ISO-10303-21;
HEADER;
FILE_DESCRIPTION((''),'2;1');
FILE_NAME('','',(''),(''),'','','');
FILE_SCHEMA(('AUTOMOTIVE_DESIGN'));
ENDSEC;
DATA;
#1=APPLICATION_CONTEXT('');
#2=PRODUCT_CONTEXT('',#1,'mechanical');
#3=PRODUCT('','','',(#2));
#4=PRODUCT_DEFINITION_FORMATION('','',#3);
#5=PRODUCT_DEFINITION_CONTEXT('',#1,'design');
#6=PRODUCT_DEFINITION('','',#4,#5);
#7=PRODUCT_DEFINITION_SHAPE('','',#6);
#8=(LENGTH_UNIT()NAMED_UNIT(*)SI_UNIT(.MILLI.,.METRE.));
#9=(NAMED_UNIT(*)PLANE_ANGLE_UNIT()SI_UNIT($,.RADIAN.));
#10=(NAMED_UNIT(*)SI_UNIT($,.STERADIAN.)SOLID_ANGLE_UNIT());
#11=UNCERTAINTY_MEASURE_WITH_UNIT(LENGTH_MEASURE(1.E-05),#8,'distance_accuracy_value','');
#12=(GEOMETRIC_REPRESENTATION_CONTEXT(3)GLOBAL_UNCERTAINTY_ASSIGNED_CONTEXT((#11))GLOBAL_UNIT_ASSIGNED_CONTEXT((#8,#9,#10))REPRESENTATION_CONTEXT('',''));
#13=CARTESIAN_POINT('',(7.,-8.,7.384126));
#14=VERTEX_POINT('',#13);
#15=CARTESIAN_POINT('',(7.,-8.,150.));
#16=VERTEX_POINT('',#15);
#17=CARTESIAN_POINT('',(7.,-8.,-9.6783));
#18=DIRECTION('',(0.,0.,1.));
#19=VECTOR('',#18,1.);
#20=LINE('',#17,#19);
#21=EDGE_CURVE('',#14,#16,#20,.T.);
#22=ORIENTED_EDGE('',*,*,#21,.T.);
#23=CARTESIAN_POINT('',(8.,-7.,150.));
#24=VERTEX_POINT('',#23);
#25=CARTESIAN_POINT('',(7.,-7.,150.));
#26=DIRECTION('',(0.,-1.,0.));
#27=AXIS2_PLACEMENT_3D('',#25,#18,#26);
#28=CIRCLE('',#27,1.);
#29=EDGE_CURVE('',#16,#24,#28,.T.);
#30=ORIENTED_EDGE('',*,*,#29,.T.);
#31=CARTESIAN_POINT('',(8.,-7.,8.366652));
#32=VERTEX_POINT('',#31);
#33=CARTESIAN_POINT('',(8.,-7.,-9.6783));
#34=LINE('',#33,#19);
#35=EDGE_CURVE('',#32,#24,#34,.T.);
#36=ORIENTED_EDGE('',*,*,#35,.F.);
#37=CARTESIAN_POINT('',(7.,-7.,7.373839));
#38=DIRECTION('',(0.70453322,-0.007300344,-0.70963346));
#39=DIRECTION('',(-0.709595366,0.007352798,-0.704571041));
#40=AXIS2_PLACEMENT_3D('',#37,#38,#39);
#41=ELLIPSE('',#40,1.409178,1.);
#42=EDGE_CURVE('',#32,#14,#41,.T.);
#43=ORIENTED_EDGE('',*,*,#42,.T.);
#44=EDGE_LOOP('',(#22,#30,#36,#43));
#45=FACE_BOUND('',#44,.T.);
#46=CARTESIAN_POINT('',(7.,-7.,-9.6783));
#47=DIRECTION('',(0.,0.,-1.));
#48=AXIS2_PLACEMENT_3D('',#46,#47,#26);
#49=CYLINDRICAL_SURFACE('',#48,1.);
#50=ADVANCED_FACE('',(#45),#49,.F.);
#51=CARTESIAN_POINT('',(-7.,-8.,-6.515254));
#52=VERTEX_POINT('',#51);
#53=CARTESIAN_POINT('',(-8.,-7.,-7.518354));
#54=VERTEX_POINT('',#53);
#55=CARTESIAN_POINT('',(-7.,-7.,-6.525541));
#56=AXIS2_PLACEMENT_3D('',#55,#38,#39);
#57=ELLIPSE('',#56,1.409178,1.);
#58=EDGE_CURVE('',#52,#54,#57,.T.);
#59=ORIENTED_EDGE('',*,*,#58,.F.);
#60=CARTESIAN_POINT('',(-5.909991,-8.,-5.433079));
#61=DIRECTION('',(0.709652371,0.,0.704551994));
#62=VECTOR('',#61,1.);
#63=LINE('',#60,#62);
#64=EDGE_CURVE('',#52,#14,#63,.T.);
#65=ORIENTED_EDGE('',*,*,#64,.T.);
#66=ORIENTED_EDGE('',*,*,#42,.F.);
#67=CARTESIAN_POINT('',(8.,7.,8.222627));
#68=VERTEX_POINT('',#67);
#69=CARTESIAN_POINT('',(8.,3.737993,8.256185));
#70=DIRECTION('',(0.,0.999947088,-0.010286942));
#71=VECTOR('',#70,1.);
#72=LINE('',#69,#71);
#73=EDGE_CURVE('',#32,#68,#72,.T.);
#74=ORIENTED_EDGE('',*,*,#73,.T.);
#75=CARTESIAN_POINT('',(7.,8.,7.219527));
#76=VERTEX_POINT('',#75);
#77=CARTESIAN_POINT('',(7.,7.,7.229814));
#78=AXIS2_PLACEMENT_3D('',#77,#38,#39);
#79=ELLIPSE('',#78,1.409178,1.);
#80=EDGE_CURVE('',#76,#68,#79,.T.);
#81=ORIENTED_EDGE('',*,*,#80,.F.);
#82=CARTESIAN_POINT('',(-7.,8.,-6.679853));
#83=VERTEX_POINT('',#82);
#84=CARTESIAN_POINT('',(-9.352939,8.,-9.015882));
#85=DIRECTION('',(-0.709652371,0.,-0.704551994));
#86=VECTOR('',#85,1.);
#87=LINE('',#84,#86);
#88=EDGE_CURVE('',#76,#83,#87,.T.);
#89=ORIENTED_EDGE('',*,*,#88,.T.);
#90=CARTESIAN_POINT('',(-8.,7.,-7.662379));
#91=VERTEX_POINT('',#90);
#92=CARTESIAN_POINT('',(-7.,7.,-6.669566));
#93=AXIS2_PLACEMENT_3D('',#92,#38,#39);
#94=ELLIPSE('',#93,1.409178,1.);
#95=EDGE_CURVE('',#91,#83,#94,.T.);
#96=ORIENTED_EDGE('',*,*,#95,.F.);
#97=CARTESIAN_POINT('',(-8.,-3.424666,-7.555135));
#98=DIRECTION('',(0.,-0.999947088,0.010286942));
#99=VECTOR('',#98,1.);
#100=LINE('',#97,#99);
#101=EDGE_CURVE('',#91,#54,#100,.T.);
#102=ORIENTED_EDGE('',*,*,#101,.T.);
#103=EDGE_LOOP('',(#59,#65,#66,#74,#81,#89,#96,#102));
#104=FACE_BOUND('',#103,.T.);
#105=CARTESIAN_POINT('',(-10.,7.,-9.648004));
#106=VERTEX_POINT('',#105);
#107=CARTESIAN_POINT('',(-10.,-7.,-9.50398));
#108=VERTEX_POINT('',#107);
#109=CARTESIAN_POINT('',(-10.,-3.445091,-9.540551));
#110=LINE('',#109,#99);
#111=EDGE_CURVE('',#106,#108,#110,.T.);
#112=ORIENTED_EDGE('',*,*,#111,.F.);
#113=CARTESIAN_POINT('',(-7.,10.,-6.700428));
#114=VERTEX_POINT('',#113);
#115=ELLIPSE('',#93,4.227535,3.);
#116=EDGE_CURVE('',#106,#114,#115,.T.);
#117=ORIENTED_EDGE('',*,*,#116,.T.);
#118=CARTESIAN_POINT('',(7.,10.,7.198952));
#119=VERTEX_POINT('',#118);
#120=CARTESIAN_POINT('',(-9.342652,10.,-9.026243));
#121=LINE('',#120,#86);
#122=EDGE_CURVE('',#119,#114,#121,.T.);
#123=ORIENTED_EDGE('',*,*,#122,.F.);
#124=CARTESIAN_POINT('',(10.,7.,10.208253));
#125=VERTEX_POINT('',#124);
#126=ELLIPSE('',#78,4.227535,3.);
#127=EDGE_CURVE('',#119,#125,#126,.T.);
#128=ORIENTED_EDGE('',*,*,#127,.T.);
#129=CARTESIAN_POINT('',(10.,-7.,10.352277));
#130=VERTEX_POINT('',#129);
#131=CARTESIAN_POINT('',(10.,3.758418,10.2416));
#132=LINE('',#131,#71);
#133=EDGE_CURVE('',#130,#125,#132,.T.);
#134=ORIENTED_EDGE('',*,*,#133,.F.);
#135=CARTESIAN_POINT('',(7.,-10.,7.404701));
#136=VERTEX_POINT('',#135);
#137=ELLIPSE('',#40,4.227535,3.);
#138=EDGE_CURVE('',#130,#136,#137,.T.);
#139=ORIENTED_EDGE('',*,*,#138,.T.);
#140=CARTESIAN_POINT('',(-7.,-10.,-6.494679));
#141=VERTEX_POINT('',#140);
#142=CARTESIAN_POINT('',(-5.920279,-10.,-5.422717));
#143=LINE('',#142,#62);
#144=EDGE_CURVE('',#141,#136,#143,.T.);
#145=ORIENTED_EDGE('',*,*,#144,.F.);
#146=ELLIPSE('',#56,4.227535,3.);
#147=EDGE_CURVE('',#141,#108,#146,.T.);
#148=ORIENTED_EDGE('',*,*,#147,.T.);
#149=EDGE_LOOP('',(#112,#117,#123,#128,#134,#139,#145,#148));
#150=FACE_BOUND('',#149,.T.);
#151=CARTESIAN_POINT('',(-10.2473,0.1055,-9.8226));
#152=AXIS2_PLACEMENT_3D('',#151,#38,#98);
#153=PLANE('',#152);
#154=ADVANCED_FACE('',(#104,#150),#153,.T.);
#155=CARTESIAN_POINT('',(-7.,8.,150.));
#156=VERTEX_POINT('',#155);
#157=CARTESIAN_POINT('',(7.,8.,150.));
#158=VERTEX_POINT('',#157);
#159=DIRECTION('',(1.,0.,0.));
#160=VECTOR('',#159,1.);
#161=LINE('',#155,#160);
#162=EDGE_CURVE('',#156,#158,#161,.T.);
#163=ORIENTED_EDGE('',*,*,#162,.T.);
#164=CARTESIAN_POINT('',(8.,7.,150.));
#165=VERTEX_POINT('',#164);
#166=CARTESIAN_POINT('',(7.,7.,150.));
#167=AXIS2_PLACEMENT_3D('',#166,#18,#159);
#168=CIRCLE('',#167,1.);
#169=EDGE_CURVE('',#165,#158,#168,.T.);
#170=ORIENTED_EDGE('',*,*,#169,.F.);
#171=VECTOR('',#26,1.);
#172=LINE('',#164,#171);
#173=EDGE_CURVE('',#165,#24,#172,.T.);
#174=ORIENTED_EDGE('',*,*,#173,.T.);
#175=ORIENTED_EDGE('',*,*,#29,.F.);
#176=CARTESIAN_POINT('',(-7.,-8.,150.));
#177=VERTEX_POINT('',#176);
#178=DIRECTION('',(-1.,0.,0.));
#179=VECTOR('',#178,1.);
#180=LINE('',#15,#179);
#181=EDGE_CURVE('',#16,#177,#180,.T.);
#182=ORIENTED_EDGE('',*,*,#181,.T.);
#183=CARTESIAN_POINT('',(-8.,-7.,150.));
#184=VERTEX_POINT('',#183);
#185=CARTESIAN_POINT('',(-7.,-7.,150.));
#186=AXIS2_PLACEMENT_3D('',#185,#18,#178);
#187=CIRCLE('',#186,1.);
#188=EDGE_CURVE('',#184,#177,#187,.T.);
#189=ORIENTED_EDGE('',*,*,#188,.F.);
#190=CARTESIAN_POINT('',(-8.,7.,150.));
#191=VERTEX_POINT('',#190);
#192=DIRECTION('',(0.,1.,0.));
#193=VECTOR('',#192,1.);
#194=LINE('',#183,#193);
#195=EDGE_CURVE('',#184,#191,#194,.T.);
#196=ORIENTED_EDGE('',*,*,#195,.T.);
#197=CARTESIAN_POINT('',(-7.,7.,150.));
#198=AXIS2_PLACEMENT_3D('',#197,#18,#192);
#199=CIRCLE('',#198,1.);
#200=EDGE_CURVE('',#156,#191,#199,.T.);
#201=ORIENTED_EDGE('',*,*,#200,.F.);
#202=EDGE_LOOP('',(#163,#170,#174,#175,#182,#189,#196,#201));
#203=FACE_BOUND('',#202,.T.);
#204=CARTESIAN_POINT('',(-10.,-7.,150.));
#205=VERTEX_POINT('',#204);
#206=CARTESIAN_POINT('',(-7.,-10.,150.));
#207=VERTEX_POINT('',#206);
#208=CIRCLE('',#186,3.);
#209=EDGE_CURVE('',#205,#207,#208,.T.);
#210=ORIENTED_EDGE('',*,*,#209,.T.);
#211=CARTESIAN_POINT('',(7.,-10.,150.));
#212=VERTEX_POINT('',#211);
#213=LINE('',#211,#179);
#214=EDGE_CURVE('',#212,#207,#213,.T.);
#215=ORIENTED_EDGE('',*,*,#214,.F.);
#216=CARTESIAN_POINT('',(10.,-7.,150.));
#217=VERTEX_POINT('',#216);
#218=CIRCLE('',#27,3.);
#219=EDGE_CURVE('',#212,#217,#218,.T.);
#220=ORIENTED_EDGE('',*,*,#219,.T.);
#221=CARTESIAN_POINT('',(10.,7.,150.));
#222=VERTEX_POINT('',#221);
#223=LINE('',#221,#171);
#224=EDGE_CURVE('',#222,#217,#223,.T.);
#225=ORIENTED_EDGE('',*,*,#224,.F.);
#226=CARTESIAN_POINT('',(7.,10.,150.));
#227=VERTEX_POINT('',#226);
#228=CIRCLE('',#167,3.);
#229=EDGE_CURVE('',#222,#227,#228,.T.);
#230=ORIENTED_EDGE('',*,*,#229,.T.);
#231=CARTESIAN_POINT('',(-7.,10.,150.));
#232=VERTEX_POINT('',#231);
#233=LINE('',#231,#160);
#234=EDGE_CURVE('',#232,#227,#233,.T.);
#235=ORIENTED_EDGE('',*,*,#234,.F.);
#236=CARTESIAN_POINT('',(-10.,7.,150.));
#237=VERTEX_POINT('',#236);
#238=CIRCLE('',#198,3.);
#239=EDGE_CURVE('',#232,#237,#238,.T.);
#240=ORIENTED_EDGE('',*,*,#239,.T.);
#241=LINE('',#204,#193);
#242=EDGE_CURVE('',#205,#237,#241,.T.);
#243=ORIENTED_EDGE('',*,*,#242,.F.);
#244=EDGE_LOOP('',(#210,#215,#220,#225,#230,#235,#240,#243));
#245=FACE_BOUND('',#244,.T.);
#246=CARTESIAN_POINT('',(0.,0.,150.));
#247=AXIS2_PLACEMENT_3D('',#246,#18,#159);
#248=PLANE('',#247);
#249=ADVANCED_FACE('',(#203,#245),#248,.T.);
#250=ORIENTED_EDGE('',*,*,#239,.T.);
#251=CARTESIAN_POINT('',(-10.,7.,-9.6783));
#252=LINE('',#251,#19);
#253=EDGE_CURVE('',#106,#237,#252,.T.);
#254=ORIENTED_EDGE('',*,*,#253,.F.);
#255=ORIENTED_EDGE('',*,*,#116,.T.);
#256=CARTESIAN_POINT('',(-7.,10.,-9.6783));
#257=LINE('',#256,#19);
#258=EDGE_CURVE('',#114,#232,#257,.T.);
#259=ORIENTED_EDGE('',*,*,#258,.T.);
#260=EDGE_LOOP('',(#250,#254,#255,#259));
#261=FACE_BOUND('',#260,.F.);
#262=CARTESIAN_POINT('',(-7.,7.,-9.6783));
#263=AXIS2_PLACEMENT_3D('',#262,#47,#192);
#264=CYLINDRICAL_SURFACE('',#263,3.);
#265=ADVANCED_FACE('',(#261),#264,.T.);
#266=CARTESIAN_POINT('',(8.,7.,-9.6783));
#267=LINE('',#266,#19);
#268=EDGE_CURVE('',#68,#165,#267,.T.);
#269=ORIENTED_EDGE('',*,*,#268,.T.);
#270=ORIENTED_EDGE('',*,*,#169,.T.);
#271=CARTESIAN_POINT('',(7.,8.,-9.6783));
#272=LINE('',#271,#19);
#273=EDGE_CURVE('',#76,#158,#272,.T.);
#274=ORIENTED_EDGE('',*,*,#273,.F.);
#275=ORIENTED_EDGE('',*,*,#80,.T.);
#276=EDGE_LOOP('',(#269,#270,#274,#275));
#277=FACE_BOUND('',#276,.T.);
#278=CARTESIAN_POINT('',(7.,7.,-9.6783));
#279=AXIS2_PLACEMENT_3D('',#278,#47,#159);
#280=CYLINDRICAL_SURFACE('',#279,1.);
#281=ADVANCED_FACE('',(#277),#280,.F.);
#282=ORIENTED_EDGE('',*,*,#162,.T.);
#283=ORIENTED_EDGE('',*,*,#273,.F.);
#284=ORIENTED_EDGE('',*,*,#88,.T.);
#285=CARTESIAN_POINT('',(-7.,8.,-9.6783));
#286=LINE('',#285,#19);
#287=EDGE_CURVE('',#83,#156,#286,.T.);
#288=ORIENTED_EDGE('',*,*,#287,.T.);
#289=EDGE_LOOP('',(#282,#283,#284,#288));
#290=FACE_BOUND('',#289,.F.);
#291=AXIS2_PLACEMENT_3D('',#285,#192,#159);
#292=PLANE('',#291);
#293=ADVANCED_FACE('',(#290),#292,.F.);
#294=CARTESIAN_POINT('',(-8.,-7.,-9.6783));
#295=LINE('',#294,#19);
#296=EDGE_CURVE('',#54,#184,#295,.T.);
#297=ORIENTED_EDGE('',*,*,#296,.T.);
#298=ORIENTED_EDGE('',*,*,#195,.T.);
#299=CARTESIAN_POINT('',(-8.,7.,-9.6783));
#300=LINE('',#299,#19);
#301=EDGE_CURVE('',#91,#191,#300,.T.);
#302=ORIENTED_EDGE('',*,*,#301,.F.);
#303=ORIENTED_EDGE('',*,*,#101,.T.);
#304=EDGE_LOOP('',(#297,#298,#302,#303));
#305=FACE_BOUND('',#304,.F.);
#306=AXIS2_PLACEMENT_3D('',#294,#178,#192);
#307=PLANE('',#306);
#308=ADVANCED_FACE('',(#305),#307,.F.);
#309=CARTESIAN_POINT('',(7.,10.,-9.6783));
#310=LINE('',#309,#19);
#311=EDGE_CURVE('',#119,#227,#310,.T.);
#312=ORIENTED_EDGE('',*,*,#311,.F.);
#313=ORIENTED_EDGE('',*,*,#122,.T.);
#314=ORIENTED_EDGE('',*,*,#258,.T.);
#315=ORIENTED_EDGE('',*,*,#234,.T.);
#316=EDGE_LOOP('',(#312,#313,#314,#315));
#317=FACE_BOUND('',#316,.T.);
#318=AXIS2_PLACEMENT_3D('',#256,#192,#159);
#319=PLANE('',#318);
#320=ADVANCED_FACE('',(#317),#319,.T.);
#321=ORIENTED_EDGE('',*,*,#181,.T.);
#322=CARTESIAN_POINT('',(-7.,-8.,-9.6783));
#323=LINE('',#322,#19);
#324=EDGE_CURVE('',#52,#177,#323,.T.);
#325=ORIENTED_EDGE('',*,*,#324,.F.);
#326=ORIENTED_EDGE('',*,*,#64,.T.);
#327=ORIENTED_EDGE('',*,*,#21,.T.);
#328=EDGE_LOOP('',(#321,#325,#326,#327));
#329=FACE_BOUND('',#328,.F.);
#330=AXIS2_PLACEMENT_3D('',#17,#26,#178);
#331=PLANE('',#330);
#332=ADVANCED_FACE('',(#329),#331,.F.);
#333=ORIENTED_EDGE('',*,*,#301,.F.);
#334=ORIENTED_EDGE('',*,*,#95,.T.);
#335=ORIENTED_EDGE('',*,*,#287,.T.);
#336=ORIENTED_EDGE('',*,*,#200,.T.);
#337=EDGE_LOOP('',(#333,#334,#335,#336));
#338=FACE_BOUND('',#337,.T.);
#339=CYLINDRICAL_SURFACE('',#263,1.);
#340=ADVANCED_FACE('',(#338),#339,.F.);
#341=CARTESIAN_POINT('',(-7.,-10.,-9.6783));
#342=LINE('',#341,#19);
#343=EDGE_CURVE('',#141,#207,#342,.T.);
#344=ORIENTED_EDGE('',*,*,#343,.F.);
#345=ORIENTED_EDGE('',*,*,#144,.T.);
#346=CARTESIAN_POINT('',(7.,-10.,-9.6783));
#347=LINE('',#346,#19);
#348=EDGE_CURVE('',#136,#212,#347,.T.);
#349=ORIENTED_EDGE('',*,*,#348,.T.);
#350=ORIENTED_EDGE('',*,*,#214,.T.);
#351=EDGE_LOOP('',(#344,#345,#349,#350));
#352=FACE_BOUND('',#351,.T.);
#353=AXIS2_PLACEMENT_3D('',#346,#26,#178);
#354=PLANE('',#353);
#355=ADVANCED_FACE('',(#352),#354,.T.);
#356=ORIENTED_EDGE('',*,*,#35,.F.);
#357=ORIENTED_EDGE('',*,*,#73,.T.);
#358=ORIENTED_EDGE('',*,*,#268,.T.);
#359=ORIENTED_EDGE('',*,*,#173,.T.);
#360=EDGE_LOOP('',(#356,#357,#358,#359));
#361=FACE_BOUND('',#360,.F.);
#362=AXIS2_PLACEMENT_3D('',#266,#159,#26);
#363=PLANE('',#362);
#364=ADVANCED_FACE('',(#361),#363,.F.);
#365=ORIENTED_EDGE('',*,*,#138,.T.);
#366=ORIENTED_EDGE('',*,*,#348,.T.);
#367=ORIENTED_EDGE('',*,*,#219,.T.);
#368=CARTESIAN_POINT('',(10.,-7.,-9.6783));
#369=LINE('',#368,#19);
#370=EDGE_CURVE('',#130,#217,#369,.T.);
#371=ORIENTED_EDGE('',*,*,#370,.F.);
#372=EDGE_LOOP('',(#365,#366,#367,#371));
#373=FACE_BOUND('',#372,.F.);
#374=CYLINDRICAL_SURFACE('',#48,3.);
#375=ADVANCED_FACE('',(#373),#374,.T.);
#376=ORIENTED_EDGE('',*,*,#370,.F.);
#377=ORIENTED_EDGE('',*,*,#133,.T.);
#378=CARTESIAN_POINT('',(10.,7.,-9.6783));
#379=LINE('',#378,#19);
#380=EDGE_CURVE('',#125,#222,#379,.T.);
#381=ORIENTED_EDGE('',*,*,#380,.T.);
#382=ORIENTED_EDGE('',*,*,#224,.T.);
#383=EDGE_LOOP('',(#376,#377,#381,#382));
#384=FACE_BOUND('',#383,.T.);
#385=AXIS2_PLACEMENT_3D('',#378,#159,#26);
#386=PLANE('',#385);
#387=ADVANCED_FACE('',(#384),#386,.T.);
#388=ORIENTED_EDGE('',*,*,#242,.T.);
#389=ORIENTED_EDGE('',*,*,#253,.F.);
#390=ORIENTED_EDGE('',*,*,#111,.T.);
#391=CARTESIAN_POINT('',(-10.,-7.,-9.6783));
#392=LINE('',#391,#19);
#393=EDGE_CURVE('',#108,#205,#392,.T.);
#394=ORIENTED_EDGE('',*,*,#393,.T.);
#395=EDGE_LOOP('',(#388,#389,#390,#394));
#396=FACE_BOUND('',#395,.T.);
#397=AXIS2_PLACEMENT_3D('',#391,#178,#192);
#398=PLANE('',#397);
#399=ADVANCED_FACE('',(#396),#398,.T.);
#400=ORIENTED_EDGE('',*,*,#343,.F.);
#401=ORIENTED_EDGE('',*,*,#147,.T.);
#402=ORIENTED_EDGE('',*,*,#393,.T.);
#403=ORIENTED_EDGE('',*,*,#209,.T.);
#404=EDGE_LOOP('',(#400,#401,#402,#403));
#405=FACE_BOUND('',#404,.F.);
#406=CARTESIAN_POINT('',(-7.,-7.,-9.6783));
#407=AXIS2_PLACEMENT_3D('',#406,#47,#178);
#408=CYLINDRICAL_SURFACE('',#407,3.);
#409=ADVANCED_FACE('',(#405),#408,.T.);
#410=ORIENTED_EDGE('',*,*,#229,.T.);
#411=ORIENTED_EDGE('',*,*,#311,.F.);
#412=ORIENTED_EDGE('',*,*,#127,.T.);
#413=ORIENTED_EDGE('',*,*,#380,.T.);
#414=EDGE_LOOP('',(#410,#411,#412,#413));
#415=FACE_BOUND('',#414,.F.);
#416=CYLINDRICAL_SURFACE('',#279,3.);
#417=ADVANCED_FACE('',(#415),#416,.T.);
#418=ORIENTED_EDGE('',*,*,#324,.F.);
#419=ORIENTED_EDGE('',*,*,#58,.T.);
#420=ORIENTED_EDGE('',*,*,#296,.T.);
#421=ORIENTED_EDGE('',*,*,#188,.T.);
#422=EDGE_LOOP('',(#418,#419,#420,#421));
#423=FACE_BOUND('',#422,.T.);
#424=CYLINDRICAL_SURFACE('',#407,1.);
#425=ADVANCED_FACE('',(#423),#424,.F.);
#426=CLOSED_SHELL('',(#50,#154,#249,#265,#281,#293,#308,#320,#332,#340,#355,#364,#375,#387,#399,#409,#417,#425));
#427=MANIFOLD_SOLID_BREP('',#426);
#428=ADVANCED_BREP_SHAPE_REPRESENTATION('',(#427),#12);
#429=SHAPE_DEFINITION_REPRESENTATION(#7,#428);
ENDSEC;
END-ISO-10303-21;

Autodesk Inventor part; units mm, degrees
ref_plane "Start Plane" through (0, 0, -9.6783) normal (0, 0, 1) x (1, 0, 0)
ref_plane "End Plane" through (0, 0, 150) normal (0, 0, 1) x (1, 0, 0)
sketch "Sketch" plane through (0, 0, 0) normal (0, 0, 1) x (1, 0, 0)
  line L0 (-10, -7) -> (-10, 7)
  line L1 (-7, 10) -> (7, 10)
  line L2 (10, 7) -> (10, -7)
  line L3 (7, -10) -> (-7, -10)
  arc A0 (-10, -7) -> (-7, -10) centre (-7, -7) ccw
  arc A1 (-7, 10) -> (-10, 7) centre (-7, 7) ccw
  arc A2 (10, 7) -> (7, 10) centre (7, 7) ccw
  arc A3 (7, -10) -> (10, -7) centre (7, -7) ccw
  arc A4 (-7, 8) -> (-8, 7) centre (-7, 7) ccw
  line L4 (-7, 8) -> (7, 8)
  arc A5 (8, 7) -> (7, 8) centre (7, 7) ccw
  line L5 (8, 7) -> (8, -7)
  arc A6 (7, -8) -> (8, -7) centre (7, -7) ccw
  line L6 (7, -8) -> (-7, -8)
  arc A7 (-8, -7) -> (-7, -8) centre (-7, -7) ccw
  line L7 (-8, -7) -> (-8, 7)
  line L8 (0, 14.8698) -> (0, -14.8698) construction
  line L9 (-14.8698, 0) -> (14.8698, 0) construction
  dimension "d7" = 3
  dimension "d10" = 20
  dimension "d11" = 20
  dimension "d12" = 2
  dimension "d15" = 10
  dimension "d16" = 10
extrude "Body" add sketch "Sketch" along normal up to surface (159.6783 mm away) from surface at -9.6783
sketch "Sketch3" plane through (0, 0, 0) normal (0, 0, 1) x (1, 0, 0)
  line L0 (0, 0) -> (10, 0)
ref_plane "Work Plane3" through (0, 0, 0) normal (0, -1, 0) x (1, 0, 0)
sketch "Sketch4" plane through (0, 0, 0) normal (0, -1, 0) x (1, 0, 0)
  line L0 (-2, -9.6783) -> (12, -9.6783)
  line L1 (-2, 150) -> (12, 150)
  dimension "d18" = 159.6782
ref_plane "Work Plane4" through (-10.2473, 0.1055, -9.8226) normal (0.7045, -0.0073, -0.7096) x (-0.7094, 0.0176, -0.7045)
split "Split1" plane through (-10.2473, 0.1055, -9.8226) removes the side toward (0.7045, -0.0073, -0.7096)
equation "\"d7\" = G_IR"
equation "\"d10\" = G_H"
equation "\"d11\" = G_W"
equation "\"d12\" = G_T"
equation "\"d15\" = 0.5 * d10"
equation "\"d16\" = 0.5 * d11"
equation "\"d3\" = G_L"
equation "\"G_W\" = 20"
equation "\"G_H\" = 20"
equation "\"G_T\" = 2"
equation "\"G_IR\" = 3"
equation "\"G_L\" = 159.64759"
equation "\"G_OFFSET_START\" = 9.67825"
equation "\"G_OFFSET_END\" = 0"
equation "\"d13\" = -G_OFFSET_START"
properties part number "ISO 12633-2 - 20x20x2 - 159,65" material "Steel, Mild"
